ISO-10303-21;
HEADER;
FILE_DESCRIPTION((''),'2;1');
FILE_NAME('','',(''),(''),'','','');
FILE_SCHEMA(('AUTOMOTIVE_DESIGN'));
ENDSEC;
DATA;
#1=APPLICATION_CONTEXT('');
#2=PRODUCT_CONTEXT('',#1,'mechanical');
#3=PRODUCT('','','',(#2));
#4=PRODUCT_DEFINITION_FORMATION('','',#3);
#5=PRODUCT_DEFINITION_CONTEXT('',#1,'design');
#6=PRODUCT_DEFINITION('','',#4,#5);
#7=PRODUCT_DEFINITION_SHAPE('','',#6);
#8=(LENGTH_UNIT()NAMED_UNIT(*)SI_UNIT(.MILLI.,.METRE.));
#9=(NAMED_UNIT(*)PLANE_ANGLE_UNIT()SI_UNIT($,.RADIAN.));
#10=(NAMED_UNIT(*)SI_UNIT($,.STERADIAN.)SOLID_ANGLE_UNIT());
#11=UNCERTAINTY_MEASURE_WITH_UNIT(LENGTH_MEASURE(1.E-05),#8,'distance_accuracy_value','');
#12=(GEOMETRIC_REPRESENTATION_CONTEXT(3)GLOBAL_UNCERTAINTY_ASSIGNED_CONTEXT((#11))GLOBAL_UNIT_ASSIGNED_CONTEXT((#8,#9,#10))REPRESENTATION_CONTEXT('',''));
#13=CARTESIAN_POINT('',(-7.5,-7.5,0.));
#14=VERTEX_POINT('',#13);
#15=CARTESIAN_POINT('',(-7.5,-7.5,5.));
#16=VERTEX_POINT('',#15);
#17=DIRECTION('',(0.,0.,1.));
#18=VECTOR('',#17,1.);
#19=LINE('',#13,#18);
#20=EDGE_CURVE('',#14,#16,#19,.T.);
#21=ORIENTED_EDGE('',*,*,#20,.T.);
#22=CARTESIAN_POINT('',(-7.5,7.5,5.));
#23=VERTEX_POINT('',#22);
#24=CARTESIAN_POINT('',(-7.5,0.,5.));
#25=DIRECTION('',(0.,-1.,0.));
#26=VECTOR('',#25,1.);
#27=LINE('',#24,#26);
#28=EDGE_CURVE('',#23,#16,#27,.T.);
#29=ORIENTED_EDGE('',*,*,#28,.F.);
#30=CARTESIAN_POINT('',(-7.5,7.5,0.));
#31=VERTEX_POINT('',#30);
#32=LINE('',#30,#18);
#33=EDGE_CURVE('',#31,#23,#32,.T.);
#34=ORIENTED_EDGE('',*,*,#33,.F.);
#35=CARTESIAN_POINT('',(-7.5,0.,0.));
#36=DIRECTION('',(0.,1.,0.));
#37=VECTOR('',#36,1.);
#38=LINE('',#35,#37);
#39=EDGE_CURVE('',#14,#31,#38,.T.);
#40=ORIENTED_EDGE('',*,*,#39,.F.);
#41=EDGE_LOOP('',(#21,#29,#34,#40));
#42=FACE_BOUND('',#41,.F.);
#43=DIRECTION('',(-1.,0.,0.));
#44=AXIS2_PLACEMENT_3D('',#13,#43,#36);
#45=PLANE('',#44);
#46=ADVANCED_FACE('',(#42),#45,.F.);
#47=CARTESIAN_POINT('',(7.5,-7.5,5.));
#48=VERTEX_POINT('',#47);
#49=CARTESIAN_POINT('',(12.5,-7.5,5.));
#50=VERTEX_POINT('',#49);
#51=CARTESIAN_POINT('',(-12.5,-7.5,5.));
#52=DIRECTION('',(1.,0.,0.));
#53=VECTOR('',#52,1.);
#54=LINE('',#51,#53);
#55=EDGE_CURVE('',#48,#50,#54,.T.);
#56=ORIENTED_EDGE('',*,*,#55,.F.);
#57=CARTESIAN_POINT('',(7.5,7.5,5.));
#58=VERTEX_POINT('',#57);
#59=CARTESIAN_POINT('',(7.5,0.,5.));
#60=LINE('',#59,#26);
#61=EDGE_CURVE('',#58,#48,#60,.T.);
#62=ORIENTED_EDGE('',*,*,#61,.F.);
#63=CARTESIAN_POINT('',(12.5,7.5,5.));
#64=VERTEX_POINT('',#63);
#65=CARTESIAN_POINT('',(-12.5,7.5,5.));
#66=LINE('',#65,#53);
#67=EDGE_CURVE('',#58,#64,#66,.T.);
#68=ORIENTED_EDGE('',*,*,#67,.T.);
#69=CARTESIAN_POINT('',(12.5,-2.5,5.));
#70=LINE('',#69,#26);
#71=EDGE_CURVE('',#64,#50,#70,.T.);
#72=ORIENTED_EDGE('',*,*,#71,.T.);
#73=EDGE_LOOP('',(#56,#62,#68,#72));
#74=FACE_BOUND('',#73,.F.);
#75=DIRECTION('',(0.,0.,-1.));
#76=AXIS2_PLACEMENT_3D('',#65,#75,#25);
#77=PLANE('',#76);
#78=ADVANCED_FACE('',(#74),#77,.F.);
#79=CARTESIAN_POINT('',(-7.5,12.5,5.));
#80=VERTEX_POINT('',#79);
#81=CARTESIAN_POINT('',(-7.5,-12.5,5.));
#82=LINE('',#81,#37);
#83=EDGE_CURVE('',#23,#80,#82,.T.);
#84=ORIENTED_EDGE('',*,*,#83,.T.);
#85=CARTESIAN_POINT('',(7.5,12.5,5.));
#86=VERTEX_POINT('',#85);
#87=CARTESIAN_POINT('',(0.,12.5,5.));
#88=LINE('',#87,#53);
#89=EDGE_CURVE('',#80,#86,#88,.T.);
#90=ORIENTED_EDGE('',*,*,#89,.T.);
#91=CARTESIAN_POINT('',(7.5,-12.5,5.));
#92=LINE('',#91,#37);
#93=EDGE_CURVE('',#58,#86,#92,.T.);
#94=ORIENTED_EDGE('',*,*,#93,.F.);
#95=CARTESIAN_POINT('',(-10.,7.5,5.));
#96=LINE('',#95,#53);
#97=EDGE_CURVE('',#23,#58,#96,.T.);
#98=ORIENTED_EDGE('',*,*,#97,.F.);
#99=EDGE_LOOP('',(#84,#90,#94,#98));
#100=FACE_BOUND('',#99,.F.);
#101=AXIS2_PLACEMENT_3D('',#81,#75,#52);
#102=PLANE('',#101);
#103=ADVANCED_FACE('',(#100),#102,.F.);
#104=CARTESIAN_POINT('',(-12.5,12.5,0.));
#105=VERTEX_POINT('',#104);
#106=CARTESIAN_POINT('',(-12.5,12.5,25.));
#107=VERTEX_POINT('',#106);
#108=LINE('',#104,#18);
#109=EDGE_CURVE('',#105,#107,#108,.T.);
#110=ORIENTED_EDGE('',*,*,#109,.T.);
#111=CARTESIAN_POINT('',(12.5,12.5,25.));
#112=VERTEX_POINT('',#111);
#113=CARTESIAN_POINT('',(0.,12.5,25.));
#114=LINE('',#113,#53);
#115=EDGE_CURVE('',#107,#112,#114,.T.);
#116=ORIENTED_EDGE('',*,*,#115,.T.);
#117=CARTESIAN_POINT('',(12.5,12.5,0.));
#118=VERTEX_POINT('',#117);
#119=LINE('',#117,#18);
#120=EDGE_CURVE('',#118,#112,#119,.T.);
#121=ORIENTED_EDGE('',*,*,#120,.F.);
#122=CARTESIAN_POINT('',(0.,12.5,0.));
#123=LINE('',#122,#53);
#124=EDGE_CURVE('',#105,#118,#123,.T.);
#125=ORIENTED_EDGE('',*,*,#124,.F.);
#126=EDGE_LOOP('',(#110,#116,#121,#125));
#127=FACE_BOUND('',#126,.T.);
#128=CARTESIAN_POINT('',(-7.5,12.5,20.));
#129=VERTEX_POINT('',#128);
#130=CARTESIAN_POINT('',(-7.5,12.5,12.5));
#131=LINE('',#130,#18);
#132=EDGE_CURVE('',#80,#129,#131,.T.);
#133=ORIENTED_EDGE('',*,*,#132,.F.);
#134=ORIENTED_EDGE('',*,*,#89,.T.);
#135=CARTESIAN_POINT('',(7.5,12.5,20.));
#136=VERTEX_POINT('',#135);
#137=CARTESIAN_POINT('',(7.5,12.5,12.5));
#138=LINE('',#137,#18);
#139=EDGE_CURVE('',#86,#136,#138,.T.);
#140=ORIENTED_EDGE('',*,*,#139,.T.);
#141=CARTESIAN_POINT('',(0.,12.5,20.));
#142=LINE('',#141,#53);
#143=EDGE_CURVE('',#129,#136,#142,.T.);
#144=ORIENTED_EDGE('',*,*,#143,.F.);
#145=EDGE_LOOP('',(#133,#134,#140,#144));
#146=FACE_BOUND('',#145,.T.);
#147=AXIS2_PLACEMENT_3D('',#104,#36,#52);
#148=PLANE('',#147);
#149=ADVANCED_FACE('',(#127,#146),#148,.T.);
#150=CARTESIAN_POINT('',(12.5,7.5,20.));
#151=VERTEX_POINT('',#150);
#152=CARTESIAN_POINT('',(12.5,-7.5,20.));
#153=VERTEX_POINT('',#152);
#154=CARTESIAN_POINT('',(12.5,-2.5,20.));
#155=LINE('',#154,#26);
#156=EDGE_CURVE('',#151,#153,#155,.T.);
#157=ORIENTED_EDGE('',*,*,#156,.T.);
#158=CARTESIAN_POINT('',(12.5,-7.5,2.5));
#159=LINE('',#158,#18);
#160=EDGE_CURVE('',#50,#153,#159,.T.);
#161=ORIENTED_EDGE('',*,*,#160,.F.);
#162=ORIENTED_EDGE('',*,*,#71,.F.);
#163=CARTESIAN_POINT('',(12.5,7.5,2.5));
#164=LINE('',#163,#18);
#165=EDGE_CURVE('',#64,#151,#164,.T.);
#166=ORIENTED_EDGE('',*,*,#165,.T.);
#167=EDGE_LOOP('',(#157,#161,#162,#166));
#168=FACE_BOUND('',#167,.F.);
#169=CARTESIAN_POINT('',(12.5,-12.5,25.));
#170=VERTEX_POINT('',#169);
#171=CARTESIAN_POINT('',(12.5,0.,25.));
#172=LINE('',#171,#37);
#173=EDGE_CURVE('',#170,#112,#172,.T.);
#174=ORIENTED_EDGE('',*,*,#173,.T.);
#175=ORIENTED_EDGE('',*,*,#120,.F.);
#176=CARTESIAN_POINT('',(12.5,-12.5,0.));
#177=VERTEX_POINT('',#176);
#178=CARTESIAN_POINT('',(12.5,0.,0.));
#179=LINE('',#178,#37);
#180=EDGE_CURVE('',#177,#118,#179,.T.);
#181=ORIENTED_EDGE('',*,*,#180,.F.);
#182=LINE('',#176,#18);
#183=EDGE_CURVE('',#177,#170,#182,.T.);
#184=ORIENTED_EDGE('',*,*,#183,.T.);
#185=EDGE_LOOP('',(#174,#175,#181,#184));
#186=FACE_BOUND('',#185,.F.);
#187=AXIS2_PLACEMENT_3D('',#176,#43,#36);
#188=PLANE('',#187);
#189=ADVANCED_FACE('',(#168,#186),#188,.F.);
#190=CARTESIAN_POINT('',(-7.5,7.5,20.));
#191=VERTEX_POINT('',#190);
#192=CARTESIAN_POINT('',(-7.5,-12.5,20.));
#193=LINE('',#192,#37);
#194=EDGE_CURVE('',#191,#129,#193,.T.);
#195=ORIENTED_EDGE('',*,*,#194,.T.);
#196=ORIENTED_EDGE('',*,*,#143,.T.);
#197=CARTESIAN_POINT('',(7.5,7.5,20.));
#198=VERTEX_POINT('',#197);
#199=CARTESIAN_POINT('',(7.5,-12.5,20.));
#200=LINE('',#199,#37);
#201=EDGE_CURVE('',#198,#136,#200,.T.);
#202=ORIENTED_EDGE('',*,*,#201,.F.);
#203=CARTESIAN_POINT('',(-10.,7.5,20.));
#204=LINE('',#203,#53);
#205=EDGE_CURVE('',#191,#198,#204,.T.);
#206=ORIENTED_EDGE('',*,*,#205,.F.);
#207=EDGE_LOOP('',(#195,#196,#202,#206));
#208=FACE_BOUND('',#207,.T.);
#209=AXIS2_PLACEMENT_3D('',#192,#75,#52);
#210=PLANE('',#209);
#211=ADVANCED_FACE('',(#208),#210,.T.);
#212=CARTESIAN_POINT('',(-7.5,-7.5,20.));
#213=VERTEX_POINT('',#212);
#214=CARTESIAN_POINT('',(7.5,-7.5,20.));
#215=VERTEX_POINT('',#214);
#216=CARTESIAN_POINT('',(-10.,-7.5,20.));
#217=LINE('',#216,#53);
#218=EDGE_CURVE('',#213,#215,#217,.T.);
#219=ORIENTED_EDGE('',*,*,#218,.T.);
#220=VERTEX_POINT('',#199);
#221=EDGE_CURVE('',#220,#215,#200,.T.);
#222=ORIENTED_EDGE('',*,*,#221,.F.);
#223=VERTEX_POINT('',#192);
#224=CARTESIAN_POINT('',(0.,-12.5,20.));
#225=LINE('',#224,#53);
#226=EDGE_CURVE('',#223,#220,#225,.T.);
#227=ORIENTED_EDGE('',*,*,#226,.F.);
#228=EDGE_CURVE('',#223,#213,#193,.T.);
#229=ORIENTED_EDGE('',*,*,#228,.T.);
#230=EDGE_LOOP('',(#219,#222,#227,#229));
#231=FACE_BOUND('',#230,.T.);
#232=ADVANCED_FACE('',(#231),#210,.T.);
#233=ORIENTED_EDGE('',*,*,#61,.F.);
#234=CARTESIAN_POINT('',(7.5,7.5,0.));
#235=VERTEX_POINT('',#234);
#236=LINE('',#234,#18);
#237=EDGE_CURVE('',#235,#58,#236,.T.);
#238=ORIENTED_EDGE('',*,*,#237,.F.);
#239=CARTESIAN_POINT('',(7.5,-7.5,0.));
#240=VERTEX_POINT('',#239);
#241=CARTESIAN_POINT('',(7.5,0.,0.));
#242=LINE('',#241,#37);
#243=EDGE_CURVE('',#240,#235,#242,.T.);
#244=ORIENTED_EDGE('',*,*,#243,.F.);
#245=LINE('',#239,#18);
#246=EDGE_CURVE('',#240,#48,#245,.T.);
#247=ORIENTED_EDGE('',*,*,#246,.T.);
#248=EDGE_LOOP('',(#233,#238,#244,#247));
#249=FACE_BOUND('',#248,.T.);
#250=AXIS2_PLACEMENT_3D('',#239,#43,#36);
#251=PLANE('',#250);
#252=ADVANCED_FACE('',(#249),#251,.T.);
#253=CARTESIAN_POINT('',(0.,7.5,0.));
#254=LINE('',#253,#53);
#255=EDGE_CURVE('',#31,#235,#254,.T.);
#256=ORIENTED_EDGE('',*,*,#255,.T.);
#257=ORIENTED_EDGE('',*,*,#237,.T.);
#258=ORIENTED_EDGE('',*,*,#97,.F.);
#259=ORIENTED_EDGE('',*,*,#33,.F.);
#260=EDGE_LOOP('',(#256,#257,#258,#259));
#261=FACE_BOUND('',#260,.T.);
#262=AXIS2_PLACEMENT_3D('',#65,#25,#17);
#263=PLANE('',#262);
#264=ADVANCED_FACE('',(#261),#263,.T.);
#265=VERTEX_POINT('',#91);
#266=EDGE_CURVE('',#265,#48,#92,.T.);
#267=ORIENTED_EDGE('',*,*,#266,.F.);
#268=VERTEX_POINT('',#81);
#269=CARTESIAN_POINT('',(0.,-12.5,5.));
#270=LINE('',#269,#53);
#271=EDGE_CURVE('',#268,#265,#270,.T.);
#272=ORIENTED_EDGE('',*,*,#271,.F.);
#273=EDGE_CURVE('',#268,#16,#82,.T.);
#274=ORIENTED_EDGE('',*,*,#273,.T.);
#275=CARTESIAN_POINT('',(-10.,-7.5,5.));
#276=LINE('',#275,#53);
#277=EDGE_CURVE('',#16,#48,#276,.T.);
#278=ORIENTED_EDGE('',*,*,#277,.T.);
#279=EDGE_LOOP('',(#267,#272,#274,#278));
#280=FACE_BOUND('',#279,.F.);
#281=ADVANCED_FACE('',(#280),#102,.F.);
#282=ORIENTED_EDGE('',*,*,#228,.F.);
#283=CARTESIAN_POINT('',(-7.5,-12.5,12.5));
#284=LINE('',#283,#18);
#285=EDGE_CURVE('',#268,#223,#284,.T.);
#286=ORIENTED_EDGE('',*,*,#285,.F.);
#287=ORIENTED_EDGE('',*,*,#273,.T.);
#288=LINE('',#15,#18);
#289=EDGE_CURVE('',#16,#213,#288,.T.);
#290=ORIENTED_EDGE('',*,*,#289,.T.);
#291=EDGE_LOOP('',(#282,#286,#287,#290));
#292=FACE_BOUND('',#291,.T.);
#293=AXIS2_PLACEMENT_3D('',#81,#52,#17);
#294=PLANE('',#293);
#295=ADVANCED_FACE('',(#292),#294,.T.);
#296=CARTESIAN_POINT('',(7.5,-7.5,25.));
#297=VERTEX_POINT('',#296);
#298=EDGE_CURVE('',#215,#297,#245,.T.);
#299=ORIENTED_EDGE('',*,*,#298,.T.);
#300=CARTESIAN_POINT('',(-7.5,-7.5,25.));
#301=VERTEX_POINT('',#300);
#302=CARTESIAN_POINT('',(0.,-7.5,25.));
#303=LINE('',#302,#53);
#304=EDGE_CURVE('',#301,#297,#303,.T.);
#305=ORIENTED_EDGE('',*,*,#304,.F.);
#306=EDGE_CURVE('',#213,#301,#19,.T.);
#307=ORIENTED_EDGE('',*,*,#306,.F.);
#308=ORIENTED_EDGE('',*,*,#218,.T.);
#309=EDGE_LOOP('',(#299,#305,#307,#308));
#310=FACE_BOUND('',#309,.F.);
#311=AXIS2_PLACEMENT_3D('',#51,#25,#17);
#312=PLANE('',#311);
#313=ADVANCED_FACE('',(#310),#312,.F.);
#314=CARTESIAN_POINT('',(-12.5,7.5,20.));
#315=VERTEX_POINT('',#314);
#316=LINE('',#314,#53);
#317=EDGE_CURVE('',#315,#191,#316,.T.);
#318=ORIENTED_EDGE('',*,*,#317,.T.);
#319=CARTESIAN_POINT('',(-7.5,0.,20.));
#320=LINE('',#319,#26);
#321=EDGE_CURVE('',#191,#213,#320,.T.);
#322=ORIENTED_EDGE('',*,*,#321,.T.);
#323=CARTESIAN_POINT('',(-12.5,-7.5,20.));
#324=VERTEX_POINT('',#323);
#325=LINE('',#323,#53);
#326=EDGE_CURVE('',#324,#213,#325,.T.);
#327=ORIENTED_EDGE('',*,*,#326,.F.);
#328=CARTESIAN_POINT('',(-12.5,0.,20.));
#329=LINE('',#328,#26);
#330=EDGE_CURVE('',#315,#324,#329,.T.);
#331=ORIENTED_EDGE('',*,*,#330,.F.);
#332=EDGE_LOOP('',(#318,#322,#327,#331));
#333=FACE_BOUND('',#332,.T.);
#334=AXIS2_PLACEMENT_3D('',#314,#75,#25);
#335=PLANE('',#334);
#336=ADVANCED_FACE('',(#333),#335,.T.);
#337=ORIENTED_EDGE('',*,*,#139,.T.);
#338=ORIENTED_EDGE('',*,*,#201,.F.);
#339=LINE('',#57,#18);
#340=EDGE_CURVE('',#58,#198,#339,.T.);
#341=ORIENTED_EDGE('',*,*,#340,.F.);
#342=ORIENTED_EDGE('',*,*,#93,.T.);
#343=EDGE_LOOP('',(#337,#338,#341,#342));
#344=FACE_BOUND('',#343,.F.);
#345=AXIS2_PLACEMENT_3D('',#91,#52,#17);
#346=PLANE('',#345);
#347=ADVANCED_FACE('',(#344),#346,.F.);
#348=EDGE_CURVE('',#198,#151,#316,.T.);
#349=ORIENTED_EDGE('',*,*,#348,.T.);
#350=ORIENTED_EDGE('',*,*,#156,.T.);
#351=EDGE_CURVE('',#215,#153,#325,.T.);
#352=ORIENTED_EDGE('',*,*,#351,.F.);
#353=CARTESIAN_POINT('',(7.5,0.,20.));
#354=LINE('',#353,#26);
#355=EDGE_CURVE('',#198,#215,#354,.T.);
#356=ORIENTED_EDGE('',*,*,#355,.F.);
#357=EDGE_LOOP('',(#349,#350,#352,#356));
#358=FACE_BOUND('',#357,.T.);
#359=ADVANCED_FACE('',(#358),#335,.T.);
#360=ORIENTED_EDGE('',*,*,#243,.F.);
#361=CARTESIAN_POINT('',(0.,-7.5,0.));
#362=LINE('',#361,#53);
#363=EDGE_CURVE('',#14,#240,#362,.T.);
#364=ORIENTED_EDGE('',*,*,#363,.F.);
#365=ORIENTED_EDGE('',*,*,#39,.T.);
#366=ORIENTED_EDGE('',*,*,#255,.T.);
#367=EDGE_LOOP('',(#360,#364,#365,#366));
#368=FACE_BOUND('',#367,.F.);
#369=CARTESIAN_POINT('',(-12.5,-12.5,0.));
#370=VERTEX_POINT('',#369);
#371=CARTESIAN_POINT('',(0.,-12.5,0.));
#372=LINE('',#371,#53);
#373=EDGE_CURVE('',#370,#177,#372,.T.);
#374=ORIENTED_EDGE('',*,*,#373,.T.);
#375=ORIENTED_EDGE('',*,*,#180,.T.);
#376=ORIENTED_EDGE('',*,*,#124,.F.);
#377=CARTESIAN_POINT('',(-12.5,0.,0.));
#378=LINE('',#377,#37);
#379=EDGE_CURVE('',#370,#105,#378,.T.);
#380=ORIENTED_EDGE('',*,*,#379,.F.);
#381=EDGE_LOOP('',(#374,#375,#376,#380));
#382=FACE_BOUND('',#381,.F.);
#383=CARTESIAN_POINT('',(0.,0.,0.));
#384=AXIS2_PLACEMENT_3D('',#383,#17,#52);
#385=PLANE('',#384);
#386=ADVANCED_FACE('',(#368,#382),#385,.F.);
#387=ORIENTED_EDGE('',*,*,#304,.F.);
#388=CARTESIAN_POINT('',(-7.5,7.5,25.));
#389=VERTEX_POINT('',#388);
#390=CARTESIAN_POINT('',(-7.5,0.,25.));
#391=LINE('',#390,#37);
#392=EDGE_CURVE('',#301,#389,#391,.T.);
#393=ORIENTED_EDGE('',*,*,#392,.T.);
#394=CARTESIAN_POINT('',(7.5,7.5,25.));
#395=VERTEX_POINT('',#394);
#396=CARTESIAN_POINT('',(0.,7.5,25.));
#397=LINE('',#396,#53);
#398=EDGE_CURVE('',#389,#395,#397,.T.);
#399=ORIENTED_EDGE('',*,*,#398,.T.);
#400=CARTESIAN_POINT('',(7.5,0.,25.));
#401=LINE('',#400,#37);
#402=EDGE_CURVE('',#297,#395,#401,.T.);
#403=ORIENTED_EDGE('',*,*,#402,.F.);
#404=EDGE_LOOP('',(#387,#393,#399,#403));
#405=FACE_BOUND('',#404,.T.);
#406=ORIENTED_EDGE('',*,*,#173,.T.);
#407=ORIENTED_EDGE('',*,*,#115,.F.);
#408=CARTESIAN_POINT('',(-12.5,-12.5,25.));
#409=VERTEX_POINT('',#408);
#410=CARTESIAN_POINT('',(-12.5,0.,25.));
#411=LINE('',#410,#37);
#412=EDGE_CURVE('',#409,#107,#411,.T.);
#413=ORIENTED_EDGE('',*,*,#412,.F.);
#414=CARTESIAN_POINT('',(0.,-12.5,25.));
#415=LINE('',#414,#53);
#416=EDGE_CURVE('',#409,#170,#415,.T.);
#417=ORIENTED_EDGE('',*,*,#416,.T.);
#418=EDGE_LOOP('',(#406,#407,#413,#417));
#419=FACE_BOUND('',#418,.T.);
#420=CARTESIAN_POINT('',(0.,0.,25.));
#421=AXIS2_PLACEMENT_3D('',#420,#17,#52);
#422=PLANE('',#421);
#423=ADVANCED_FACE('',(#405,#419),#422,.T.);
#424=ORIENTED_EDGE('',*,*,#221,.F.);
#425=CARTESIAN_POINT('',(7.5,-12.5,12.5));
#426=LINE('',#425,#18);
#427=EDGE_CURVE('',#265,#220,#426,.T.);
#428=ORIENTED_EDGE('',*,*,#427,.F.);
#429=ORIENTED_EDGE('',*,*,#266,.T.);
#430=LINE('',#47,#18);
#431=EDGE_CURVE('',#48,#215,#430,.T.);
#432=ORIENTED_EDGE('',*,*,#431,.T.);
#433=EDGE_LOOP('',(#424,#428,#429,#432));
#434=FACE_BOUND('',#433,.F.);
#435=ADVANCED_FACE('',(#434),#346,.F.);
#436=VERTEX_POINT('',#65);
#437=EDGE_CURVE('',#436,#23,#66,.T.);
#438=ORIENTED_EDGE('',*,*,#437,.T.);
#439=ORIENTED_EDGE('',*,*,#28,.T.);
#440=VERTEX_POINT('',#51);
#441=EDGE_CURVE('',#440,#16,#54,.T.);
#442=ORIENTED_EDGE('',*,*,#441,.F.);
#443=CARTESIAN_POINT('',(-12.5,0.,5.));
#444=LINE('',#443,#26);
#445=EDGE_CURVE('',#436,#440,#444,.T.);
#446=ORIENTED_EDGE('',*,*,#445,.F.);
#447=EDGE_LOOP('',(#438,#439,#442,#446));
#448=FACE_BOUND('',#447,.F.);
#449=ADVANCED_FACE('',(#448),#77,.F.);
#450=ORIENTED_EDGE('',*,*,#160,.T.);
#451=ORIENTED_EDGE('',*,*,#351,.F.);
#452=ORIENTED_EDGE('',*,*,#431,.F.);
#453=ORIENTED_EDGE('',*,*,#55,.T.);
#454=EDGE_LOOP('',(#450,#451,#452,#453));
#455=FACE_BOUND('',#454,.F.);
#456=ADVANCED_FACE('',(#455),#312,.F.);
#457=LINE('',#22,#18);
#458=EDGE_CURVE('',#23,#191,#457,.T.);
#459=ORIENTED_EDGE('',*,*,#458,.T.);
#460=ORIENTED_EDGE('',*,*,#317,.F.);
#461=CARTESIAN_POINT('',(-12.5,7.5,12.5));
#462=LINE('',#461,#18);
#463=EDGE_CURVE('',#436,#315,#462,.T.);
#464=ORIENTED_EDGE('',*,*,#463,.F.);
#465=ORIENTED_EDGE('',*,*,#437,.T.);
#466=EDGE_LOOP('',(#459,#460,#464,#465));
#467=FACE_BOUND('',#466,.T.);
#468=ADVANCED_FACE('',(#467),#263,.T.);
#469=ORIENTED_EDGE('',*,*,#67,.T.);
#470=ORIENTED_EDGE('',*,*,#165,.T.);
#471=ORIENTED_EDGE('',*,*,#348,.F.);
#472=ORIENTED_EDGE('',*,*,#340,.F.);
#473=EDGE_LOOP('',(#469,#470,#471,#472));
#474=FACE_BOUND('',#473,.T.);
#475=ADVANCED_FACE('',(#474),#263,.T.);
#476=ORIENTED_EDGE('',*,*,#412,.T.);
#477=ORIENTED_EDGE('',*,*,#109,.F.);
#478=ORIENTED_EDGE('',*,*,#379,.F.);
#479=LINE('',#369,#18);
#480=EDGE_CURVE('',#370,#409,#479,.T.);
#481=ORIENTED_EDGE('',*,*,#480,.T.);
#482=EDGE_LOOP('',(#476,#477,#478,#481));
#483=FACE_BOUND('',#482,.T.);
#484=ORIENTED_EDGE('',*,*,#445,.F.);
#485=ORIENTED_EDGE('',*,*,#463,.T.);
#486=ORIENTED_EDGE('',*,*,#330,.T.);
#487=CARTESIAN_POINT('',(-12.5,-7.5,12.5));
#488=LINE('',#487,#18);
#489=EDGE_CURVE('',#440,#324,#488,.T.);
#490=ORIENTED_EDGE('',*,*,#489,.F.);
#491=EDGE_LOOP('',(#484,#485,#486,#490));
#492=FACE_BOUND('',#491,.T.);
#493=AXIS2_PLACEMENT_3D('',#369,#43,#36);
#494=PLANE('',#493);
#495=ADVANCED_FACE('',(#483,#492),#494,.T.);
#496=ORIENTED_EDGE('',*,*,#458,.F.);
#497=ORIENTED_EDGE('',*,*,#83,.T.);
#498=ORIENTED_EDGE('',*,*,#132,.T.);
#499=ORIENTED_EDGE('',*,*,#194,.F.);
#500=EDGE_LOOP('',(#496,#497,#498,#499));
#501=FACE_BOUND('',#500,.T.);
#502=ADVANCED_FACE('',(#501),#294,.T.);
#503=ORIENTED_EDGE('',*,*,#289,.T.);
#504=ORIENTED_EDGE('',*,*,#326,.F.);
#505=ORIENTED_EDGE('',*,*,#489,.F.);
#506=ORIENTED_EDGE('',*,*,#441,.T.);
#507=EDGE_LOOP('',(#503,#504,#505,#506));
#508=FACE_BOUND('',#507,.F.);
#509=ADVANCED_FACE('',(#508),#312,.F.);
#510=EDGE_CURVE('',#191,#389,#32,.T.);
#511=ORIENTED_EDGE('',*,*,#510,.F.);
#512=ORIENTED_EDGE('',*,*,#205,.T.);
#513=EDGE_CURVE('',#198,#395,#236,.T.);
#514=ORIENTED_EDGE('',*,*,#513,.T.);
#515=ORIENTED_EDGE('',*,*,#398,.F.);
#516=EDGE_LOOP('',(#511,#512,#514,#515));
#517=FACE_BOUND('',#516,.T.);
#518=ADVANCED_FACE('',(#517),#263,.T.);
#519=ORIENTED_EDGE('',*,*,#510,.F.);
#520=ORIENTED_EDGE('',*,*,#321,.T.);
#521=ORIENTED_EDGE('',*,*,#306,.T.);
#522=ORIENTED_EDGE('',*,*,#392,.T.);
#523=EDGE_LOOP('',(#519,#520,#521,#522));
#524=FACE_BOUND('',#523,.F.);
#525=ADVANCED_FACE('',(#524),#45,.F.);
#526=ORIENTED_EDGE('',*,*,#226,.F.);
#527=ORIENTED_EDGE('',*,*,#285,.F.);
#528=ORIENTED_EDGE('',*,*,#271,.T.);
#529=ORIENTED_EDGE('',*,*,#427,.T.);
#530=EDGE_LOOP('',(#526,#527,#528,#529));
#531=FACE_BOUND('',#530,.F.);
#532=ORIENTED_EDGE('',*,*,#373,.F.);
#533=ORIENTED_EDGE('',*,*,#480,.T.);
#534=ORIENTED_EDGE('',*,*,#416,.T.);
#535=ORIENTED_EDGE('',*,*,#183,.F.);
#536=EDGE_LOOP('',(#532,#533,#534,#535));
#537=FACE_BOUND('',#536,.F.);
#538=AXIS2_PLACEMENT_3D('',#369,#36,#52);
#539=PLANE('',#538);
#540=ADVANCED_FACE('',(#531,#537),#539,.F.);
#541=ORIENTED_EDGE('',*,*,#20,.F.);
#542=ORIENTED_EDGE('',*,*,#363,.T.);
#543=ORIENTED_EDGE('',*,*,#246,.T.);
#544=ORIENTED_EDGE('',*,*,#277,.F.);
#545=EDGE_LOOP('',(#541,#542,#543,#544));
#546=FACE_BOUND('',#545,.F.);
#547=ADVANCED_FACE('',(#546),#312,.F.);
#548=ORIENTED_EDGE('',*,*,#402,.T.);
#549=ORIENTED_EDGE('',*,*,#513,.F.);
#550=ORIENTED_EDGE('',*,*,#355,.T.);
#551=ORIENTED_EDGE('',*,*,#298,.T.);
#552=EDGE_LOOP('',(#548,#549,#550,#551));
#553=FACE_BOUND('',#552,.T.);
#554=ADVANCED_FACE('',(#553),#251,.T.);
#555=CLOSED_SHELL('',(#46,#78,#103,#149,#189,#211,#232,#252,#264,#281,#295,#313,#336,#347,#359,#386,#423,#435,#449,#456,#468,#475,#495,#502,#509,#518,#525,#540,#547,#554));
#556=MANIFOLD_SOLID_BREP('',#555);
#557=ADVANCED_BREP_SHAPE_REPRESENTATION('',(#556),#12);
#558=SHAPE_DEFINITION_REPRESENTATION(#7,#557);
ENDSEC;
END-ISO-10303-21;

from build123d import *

# Parameters (mm, degrees)
F0_W     = 25
F0_H     = 25
F0_W_2   = 15
F0_H_2   = 15
F1_DEPTH = 25
F2_W     = 15
F2_H     = 15
F3_DEPTH = 25.001
F4_W     = 15
F4_H     = 15
F5_DEPTH = 25


with BuildPart() as f1:
    # F0 (on Top) → F1 (new body)
    with BuildSketch(Plane.XY):
        Rectangle(F0_W, F0_H)
        Rectangle(F0_W_2, F0_H_2, mode=Mode.SUBTRACT)
    extrude(amount=F1_DEPTH)

    # F2 (on face) → F3 (cut, through all)
    with BuildSketch(Plane(origin=(-12.5, 0, 0), x_dir=(0, -1, 0), z_dir=(-1, 0, 0))):
        with Locations((0, 12.5)):
            Rectangle(F2_W, F2_H)
    extrude(amount=-F3_DEPTH, mode=Mode.SUBTRACT)

    # F4 (on face) → F5 (cut)
    with BuildSketch(Plane.XZ.offset(12.5)):
        with Locations((0, 12.5)):
            Rectangle(F4_W, F4_H)
    extrude(amount=-F5_DEPTH, mode=Mode.SUBTRACT)


solid = f1.part
